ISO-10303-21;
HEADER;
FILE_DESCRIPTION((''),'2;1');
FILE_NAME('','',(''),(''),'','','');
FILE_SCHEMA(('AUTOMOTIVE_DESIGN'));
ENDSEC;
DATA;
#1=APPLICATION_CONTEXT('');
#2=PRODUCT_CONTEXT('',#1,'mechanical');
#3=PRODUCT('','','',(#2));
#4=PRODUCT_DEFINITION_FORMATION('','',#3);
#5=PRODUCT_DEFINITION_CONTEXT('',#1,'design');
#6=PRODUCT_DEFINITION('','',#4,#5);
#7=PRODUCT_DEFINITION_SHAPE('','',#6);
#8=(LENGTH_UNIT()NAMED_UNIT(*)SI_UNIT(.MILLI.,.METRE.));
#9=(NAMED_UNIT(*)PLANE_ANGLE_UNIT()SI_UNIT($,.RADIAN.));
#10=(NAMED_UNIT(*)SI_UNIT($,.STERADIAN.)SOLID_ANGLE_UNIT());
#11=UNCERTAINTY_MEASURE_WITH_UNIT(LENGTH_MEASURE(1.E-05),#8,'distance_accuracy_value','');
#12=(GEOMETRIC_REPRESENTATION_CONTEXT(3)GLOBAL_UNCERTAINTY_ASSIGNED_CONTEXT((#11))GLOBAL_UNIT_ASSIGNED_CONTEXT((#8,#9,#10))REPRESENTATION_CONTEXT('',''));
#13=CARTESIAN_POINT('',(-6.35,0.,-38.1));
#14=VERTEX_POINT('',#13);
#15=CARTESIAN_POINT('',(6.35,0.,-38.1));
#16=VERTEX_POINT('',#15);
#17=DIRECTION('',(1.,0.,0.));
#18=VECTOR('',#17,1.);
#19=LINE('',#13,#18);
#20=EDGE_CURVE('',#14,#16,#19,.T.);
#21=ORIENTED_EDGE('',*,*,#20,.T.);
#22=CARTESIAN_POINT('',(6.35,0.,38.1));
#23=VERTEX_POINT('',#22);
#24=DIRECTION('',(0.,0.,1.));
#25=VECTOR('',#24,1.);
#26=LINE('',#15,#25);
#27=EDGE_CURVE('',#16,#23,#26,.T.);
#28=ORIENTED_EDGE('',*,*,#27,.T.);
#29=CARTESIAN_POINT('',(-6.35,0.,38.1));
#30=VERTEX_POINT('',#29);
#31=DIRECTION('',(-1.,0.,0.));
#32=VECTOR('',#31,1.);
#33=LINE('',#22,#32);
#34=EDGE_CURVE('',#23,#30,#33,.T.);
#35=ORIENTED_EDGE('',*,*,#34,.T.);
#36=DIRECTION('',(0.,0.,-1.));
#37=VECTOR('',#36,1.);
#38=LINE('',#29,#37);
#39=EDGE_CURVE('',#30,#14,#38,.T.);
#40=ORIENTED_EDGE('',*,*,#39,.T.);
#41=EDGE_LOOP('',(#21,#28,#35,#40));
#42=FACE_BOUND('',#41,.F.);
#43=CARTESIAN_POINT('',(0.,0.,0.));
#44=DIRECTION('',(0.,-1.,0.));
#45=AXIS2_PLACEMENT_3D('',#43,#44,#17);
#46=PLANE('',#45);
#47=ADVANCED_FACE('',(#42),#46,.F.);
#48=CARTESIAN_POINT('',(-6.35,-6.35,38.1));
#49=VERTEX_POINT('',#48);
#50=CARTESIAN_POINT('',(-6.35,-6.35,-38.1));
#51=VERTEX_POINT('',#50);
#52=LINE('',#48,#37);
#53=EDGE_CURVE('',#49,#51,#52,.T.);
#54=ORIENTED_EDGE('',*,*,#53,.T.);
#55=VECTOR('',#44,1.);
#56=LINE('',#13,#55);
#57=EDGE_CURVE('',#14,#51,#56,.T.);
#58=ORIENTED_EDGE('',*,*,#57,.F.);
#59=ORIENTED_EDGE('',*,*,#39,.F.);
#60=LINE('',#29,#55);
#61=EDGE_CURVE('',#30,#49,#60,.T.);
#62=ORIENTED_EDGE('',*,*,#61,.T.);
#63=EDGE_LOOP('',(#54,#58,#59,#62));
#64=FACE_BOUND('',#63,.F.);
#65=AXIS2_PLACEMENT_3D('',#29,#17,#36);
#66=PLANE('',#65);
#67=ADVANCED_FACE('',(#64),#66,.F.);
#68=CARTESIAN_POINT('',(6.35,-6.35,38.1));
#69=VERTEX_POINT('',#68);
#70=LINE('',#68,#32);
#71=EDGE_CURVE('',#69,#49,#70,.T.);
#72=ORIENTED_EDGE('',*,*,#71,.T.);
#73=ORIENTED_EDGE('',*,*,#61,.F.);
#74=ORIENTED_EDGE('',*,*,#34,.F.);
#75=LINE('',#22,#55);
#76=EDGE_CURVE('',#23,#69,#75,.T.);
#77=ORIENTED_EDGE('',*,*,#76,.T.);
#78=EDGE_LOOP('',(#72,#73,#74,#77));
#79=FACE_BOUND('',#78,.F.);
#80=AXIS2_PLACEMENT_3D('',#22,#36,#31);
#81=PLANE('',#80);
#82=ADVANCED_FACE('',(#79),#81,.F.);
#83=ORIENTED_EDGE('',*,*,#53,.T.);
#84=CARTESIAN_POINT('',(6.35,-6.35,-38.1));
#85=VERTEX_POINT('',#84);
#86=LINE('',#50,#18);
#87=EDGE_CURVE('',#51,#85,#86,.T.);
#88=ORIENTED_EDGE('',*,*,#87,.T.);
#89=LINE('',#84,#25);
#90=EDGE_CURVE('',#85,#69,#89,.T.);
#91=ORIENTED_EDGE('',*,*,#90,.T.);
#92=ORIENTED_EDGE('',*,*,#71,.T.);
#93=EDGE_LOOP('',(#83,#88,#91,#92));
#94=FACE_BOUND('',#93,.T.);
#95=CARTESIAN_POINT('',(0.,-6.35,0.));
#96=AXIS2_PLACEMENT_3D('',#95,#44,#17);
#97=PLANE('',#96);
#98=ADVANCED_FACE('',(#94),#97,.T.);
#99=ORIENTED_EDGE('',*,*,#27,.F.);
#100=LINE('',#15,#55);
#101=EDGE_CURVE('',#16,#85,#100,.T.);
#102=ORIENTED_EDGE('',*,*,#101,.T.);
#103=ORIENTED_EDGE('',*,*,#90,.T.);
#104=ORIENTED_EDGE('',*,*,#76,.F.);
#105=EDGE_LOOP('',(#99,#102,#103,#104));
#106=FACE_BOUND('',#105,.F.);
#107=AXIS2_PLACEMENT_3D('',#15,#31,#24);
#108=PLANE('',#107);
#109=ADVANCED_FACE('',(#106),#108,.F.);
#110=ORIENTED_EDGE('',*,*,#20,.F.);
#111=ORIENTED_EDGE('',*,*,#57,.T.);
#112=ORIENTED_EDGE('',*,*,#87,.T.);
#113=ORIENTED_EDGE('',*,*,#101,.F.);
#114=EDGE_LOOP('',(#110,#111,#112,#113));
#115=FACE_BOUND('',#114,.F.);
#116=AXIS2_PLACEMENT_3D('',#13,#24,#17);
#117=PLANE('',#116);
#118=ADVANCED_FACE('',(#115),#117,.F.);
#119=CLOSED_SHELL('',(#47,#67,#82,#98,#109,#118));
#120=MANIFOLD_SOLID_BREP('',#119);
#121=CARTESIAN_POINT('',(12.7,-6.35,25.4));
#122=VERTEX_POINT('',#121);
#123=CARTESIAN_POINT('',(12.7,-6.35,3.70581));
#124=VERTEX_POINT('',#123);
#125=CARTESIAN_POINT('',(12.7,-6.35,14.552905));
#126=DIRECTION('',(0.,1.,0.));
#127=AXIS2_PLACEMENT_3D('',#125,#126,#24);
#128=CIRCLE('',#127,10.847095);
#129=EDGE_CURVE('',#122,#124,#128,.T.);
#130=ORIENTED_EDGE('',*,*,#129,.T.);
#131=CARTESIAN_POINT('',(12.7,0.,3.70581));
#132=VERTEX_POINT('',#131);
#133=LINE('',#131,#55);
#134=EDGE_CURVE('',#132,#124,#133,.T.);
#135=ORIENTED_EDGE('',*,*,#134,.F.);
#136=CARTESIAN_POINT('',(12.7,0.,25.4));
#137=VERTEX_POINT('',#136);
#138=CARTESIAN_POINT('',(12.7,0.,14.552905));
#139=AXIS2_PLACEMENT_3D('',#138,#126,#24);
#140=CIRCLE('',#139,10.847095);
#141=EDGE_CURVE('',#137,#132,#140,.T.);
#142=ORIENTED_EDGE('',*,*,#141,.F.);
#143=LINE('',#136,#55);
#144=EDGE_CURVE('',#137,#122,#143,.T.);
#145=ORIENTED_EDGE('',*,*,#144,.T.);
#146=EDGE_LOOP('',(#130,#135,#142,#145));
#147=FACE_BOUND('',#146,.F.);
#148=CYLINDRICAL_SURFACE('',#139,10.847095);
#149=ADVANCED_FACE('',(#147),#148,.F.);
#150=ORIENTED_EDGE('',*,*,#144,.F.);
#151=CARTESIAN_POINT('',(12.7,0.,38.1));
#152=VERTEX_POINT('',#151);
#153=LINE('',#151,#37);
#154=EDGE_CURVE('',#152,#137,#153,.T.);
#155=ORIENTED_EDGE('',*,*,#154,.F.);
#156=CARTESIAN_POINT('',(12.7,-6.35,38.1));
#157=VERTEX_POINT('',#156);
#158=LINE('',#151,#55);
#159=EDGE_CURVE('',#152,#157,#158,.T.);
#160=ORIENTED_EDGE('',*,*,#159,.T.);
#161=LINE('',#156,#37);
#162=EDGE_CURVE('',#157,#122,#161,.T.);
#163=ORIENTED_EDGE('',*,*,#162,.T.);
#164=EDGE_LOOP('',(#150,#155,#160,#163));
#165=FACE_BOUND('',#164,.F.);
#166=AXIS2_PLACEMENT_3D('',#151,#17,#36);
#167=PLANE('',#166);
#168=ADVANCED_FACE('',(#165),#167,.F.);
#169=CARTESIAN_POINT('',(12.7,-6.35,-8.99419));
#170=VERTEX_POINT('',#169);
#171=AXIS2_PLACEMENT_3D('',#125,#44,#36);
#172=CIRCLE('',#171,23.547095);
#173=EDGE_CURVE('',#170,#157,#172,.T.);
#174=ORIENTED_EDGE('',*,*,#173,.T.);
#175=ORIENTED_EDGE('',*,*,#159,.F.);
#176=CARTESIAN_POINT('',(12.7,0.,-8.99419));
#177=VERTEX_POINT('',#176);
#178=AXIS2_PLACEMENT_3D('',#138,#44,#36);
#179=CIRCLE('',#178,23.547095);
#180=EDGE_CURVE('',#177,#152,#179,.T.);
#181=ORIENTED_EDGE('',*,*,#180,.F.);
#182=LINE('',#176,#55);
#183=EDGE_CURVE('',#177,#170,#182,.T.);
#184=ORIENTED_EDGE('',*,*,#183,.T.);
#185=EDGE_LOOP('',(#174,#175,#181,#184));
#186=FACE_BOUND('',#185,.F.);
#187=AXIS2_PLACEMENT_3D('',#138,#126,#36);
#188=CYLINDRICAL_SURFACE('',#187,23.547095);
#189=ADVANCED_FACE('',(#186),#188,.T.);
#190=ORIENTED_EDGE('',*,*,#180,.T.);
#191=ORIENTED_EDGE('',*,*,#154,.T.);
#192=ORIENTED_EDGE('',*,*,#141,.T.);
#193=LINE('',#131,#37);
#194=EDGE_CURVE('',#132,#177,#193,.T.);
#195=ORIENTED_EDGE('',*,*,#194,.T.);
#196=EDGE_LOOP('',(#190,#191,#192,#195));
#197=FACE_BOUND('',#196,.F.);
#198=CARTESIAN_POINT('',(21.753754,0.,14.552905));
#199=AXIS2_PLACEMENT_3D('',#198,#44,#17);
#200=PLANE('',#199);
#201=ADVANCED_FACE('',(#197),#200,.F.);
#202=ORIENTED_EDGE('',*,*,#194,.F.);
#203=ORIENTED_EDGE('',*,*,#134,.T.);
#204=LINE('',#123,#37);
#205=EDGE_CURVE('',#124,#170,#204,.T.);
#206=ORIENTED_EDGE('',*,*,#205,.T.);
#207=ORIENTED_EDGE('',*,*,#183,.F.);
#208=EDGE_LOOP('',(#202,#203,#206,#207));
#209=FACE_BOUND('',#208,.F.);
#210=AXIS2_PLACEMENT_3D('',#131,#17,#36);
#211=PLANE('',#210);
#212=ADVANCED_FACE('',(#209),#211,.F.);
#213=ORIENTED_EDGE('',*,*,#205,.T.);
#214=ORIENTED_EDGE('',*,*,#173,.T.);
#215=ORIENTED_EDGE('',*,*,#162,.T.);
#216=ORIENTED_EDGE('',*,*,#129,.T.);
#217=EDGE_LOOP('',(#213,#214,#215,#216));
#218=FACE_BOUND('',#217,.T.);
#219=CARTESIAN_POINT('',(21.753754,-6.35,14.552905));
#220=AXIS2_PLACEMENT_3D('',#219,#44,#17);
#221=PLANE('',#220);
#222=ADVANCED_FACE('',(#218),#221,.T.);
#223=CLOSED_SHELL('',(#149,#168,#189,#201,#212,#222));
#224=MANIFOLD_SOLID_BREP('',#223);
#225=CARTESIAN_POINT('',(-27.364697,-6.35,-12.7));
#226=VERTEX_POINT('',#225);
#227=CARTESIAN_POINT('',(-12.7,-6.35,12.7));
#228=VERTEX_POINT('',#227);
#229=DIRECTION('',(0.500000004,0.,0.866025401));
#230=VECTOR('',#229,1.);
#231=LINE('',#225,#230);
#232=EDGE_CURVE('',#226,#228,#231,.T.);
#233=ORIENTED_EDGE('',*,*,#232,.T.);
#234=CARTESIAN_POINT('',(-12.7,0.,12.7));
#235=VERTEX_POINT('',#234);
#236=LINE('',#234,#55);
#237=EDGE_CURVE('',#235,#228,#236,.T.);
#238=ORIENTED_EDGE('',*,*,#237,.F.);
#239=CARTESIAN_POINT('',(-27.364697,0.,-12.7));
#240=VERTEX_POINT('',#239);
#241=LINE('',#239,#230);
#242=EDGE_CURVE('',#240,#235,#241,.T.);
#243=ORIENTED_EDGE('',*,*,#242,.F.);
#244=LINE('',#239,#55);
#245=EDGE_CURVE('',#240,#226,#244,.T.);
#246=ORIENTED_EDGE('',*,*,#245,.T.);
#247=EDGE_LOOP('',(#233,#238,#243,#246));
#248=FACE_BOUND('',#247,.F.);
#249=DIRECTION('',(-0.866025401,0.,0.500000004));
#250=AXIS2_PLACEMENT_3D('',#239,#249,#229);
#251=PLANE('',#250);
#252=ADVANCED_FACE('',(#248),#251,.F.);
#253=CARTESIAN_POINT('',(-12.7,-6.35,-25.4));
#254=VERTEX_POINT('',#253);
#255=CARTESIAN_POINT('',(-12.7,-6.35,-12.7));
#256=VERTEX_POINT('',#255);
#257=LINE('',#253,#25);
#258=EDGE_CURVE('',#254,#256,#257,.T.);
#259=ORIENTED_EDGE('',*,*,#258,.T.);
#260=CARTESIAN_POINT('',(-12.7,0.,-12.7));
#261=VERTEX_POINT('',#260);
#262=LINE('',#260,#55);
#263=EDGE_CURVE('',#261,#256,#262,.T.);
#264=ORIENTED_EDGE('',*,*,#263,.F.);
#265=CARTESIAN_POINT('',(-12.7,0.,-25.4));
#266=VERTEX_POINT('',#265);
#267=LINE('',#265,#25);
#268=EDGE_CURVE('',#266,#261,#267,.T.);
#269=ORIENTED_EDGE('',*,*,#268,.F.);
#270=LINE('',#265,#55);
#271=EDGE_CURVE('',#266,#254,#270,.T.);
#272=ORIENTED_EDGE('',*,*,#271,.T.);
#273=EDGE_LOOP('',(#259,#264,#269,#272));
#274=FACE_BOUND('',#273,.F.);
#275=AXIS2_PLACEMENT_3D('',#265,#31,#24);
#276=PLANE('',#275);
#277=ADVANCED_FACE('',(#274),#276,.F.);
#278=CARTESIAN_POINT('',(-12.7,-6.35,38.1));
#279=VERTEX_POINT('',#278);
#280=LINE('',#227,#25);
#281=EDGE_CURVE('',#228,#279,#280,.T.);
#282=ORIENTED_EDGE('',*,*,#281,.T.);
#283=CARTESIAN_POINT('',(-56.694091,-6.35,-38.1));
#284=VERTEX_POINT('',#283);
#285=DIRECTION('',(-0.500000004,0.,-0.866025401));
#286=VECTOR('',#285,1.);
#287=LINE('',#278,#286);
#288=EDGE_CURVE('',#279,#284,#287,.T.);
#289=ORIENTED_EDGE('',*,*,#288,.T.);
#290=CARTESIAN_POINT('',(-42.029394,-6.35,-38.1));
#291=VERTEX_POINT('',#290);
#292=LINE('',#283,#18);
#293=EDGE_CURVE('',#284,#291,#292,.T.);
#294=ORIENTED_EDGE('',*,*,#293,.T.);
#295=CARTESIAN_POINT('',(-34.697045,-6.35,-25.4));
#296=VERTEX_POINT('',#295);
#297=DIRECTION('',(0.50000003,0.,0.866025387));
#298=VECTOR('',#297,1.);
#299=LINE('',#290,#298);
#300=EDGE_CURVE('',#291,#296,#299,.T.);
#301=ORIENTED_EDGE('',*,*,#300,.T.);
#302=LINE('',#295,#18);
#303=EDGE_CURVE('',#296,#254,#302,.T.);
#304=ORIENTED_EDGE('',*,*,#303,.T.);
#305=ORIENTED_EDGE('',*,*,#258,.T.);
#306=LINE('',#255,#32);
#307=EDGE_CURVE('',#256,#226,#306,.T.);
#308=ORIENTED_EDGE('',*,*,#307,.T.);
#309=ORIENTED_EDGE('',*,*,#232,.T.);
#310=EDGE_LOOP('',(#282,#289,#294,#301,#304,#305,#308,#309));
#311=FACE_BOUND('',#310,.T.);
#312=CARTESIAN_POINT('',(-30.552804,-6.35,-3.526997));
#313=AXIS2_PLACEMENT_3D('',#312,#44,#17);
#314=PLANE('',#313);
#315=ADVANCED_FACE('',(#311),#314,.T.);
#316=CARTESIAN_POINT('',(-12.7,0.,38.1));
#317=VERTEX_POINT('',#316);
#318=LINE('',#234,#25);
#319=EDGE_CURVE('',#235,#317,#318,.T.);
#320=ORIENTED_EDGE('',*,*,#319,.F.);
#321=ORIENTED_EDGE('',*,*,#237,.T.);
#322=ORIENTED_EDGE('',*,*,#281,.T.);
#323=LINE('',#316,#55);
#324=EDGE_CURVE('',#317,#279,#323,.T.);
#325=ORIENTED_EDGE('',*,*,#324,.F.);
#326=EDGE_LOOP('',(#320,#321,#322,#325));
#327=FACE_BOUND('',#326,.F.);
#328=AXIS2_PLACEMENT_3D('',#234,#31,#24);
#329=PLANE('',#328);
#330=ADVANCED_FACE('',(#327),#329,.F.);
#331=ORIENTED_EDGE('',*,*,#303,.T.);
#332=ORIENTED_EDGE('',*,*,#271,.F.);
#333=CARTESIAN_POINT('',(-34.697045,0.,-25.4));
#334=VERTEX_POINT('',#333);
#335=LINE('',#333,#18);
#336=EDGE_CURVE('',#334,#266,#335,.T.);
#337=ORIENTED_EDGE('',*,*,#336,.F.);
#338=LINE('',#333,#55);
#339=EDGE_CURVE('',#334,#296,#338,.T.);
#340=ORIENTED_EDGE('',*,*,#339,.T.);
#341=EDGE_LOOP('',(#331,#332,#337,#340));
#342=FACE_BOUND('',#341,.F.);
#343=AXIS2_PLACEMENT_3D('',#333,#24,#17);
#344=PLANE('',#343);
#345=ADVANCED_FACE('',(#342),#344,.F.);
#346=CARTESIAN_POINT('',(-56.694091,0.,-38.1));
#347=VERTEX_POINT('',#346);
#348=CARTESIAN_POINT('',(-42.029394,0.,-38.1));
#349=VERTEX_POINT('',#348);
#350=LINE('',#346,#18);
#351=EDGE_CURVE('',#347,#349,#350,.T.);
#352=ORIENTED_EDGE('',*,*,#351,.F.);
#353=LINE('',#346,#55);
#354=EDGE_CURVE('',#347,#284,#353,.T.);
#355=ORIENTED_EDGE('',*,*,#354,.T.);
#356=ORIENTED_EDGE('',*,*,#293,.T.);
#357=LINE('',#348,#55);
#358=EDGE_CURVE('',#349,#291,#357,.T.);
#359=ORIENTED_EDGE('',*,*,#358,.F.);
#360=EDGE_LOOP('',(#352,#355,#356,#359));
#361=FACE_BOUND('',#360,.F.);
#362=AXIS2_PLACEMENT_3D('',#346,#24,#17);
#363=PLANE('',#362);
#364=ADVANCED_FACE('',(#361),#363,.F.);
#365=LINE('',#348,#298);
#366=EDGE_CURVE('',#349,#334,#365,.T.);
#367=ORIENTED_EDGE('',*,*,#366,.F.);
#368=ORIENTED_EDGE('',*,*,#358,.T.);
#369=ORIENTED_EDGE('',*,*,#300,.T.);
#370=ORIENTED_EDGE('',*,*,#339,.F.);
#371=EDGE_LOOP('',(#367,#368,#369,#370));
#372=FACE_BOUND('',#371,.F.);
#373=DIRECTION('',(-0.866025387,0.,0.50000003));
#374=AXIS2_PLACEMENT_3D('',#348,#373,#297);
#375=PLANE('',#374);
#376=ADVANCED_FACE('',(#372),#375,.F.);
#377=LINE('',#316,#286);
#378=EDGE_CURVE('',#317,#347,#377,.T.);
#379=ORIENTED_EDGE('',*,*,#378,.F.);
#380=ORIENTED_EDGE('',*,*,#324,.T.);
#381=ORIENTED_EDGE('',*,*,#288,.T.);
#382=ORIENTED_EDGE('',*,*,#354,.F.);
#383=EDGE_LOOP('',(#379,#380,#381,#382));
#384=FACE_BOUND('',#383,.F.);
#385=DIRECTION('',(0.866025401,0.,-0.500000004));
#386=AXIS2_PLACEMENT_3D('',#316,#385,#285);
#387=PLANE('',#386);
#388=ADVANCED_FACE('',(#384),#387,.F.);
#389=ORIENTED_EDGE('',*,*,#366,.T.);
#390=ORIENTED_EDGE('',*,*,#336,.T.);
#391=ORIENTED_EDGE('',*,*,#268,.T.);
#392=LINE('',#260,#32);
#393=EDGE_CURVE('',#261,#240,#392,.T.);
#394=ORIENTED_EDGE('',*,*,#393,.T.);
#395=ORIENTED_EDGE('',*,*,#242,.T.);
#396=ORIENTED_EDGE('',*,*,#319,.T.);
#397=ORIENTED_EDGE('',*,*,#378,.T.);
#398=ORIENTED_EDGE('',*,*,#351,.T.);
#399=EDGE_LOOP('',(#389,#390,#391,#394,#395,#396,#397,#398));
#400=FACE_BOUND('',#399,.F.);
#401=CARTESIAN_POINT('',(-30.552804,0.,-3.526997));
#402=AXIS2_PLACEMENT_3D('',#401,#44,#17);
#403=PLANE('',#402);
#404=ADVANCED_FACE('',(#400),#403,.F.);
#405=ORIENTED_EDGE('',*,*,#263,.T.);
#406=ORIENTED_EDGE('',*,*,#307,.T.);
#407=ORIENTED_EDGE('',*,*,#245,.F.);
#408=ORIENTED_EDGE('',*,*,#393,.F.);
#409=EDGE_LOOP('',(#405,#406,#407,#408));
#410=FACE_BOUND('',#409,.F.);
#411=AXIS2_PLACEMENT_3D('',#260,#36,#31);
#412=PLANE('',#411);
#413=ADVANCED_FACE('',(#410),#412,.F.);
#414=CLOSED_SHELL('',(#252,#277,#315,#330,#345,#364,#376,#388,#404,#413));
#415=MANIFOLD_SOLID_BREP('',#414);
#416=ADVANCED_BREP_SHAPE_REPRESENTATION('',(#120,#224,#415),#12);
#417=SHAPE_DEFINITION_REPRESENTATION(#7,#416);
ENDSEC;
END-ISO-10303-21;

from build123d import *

# Parameters (mm, degrees)
F1_DEPTH = 6.35


with BuildPart() as f1:
    # F0 (on Front) → F1 (new body)
    with BuildSketch(Plane.XZ):
        Polygon((-12.7, 12.7), (-12.7, 38.1), (-56.694091, -38.1), (-42.029394, -38.1), (-34.697045, -25.4), (-27.364697, -12.7), align=None)
        Polygon((6.35, 38.1), (-6.35, 38.1), (-6.35, 12.7), (-6.35, -12.7), (-6.35, -25.4), (-6.35, -38.1), (6.35, -38.1), (6.35, -8.99419), (6.35, 3.70581), (6.35, 25.4), align=None)
        with BuildLine():
            ThreePointArc((12.7, -8.99419), (36.247095, 14.552905), (12.7, 38.1))
            Line((12.7, 38.1), (12.7, 25.4))
            ThreePointArc((12.7, 25.4), (23.547095, 14.552905), (12.7, 3.70581))
            Line((12.7, 3.70581), (12.7, -8.99419))
        make_face()
        Polygon((-12.7, -25.4), (-12.7, -12.7), (-27.364697, -12.7), (-34.697045, -25.4), align=None)
    extrude(amount=F1_DEPTH)


solid = f1.part
